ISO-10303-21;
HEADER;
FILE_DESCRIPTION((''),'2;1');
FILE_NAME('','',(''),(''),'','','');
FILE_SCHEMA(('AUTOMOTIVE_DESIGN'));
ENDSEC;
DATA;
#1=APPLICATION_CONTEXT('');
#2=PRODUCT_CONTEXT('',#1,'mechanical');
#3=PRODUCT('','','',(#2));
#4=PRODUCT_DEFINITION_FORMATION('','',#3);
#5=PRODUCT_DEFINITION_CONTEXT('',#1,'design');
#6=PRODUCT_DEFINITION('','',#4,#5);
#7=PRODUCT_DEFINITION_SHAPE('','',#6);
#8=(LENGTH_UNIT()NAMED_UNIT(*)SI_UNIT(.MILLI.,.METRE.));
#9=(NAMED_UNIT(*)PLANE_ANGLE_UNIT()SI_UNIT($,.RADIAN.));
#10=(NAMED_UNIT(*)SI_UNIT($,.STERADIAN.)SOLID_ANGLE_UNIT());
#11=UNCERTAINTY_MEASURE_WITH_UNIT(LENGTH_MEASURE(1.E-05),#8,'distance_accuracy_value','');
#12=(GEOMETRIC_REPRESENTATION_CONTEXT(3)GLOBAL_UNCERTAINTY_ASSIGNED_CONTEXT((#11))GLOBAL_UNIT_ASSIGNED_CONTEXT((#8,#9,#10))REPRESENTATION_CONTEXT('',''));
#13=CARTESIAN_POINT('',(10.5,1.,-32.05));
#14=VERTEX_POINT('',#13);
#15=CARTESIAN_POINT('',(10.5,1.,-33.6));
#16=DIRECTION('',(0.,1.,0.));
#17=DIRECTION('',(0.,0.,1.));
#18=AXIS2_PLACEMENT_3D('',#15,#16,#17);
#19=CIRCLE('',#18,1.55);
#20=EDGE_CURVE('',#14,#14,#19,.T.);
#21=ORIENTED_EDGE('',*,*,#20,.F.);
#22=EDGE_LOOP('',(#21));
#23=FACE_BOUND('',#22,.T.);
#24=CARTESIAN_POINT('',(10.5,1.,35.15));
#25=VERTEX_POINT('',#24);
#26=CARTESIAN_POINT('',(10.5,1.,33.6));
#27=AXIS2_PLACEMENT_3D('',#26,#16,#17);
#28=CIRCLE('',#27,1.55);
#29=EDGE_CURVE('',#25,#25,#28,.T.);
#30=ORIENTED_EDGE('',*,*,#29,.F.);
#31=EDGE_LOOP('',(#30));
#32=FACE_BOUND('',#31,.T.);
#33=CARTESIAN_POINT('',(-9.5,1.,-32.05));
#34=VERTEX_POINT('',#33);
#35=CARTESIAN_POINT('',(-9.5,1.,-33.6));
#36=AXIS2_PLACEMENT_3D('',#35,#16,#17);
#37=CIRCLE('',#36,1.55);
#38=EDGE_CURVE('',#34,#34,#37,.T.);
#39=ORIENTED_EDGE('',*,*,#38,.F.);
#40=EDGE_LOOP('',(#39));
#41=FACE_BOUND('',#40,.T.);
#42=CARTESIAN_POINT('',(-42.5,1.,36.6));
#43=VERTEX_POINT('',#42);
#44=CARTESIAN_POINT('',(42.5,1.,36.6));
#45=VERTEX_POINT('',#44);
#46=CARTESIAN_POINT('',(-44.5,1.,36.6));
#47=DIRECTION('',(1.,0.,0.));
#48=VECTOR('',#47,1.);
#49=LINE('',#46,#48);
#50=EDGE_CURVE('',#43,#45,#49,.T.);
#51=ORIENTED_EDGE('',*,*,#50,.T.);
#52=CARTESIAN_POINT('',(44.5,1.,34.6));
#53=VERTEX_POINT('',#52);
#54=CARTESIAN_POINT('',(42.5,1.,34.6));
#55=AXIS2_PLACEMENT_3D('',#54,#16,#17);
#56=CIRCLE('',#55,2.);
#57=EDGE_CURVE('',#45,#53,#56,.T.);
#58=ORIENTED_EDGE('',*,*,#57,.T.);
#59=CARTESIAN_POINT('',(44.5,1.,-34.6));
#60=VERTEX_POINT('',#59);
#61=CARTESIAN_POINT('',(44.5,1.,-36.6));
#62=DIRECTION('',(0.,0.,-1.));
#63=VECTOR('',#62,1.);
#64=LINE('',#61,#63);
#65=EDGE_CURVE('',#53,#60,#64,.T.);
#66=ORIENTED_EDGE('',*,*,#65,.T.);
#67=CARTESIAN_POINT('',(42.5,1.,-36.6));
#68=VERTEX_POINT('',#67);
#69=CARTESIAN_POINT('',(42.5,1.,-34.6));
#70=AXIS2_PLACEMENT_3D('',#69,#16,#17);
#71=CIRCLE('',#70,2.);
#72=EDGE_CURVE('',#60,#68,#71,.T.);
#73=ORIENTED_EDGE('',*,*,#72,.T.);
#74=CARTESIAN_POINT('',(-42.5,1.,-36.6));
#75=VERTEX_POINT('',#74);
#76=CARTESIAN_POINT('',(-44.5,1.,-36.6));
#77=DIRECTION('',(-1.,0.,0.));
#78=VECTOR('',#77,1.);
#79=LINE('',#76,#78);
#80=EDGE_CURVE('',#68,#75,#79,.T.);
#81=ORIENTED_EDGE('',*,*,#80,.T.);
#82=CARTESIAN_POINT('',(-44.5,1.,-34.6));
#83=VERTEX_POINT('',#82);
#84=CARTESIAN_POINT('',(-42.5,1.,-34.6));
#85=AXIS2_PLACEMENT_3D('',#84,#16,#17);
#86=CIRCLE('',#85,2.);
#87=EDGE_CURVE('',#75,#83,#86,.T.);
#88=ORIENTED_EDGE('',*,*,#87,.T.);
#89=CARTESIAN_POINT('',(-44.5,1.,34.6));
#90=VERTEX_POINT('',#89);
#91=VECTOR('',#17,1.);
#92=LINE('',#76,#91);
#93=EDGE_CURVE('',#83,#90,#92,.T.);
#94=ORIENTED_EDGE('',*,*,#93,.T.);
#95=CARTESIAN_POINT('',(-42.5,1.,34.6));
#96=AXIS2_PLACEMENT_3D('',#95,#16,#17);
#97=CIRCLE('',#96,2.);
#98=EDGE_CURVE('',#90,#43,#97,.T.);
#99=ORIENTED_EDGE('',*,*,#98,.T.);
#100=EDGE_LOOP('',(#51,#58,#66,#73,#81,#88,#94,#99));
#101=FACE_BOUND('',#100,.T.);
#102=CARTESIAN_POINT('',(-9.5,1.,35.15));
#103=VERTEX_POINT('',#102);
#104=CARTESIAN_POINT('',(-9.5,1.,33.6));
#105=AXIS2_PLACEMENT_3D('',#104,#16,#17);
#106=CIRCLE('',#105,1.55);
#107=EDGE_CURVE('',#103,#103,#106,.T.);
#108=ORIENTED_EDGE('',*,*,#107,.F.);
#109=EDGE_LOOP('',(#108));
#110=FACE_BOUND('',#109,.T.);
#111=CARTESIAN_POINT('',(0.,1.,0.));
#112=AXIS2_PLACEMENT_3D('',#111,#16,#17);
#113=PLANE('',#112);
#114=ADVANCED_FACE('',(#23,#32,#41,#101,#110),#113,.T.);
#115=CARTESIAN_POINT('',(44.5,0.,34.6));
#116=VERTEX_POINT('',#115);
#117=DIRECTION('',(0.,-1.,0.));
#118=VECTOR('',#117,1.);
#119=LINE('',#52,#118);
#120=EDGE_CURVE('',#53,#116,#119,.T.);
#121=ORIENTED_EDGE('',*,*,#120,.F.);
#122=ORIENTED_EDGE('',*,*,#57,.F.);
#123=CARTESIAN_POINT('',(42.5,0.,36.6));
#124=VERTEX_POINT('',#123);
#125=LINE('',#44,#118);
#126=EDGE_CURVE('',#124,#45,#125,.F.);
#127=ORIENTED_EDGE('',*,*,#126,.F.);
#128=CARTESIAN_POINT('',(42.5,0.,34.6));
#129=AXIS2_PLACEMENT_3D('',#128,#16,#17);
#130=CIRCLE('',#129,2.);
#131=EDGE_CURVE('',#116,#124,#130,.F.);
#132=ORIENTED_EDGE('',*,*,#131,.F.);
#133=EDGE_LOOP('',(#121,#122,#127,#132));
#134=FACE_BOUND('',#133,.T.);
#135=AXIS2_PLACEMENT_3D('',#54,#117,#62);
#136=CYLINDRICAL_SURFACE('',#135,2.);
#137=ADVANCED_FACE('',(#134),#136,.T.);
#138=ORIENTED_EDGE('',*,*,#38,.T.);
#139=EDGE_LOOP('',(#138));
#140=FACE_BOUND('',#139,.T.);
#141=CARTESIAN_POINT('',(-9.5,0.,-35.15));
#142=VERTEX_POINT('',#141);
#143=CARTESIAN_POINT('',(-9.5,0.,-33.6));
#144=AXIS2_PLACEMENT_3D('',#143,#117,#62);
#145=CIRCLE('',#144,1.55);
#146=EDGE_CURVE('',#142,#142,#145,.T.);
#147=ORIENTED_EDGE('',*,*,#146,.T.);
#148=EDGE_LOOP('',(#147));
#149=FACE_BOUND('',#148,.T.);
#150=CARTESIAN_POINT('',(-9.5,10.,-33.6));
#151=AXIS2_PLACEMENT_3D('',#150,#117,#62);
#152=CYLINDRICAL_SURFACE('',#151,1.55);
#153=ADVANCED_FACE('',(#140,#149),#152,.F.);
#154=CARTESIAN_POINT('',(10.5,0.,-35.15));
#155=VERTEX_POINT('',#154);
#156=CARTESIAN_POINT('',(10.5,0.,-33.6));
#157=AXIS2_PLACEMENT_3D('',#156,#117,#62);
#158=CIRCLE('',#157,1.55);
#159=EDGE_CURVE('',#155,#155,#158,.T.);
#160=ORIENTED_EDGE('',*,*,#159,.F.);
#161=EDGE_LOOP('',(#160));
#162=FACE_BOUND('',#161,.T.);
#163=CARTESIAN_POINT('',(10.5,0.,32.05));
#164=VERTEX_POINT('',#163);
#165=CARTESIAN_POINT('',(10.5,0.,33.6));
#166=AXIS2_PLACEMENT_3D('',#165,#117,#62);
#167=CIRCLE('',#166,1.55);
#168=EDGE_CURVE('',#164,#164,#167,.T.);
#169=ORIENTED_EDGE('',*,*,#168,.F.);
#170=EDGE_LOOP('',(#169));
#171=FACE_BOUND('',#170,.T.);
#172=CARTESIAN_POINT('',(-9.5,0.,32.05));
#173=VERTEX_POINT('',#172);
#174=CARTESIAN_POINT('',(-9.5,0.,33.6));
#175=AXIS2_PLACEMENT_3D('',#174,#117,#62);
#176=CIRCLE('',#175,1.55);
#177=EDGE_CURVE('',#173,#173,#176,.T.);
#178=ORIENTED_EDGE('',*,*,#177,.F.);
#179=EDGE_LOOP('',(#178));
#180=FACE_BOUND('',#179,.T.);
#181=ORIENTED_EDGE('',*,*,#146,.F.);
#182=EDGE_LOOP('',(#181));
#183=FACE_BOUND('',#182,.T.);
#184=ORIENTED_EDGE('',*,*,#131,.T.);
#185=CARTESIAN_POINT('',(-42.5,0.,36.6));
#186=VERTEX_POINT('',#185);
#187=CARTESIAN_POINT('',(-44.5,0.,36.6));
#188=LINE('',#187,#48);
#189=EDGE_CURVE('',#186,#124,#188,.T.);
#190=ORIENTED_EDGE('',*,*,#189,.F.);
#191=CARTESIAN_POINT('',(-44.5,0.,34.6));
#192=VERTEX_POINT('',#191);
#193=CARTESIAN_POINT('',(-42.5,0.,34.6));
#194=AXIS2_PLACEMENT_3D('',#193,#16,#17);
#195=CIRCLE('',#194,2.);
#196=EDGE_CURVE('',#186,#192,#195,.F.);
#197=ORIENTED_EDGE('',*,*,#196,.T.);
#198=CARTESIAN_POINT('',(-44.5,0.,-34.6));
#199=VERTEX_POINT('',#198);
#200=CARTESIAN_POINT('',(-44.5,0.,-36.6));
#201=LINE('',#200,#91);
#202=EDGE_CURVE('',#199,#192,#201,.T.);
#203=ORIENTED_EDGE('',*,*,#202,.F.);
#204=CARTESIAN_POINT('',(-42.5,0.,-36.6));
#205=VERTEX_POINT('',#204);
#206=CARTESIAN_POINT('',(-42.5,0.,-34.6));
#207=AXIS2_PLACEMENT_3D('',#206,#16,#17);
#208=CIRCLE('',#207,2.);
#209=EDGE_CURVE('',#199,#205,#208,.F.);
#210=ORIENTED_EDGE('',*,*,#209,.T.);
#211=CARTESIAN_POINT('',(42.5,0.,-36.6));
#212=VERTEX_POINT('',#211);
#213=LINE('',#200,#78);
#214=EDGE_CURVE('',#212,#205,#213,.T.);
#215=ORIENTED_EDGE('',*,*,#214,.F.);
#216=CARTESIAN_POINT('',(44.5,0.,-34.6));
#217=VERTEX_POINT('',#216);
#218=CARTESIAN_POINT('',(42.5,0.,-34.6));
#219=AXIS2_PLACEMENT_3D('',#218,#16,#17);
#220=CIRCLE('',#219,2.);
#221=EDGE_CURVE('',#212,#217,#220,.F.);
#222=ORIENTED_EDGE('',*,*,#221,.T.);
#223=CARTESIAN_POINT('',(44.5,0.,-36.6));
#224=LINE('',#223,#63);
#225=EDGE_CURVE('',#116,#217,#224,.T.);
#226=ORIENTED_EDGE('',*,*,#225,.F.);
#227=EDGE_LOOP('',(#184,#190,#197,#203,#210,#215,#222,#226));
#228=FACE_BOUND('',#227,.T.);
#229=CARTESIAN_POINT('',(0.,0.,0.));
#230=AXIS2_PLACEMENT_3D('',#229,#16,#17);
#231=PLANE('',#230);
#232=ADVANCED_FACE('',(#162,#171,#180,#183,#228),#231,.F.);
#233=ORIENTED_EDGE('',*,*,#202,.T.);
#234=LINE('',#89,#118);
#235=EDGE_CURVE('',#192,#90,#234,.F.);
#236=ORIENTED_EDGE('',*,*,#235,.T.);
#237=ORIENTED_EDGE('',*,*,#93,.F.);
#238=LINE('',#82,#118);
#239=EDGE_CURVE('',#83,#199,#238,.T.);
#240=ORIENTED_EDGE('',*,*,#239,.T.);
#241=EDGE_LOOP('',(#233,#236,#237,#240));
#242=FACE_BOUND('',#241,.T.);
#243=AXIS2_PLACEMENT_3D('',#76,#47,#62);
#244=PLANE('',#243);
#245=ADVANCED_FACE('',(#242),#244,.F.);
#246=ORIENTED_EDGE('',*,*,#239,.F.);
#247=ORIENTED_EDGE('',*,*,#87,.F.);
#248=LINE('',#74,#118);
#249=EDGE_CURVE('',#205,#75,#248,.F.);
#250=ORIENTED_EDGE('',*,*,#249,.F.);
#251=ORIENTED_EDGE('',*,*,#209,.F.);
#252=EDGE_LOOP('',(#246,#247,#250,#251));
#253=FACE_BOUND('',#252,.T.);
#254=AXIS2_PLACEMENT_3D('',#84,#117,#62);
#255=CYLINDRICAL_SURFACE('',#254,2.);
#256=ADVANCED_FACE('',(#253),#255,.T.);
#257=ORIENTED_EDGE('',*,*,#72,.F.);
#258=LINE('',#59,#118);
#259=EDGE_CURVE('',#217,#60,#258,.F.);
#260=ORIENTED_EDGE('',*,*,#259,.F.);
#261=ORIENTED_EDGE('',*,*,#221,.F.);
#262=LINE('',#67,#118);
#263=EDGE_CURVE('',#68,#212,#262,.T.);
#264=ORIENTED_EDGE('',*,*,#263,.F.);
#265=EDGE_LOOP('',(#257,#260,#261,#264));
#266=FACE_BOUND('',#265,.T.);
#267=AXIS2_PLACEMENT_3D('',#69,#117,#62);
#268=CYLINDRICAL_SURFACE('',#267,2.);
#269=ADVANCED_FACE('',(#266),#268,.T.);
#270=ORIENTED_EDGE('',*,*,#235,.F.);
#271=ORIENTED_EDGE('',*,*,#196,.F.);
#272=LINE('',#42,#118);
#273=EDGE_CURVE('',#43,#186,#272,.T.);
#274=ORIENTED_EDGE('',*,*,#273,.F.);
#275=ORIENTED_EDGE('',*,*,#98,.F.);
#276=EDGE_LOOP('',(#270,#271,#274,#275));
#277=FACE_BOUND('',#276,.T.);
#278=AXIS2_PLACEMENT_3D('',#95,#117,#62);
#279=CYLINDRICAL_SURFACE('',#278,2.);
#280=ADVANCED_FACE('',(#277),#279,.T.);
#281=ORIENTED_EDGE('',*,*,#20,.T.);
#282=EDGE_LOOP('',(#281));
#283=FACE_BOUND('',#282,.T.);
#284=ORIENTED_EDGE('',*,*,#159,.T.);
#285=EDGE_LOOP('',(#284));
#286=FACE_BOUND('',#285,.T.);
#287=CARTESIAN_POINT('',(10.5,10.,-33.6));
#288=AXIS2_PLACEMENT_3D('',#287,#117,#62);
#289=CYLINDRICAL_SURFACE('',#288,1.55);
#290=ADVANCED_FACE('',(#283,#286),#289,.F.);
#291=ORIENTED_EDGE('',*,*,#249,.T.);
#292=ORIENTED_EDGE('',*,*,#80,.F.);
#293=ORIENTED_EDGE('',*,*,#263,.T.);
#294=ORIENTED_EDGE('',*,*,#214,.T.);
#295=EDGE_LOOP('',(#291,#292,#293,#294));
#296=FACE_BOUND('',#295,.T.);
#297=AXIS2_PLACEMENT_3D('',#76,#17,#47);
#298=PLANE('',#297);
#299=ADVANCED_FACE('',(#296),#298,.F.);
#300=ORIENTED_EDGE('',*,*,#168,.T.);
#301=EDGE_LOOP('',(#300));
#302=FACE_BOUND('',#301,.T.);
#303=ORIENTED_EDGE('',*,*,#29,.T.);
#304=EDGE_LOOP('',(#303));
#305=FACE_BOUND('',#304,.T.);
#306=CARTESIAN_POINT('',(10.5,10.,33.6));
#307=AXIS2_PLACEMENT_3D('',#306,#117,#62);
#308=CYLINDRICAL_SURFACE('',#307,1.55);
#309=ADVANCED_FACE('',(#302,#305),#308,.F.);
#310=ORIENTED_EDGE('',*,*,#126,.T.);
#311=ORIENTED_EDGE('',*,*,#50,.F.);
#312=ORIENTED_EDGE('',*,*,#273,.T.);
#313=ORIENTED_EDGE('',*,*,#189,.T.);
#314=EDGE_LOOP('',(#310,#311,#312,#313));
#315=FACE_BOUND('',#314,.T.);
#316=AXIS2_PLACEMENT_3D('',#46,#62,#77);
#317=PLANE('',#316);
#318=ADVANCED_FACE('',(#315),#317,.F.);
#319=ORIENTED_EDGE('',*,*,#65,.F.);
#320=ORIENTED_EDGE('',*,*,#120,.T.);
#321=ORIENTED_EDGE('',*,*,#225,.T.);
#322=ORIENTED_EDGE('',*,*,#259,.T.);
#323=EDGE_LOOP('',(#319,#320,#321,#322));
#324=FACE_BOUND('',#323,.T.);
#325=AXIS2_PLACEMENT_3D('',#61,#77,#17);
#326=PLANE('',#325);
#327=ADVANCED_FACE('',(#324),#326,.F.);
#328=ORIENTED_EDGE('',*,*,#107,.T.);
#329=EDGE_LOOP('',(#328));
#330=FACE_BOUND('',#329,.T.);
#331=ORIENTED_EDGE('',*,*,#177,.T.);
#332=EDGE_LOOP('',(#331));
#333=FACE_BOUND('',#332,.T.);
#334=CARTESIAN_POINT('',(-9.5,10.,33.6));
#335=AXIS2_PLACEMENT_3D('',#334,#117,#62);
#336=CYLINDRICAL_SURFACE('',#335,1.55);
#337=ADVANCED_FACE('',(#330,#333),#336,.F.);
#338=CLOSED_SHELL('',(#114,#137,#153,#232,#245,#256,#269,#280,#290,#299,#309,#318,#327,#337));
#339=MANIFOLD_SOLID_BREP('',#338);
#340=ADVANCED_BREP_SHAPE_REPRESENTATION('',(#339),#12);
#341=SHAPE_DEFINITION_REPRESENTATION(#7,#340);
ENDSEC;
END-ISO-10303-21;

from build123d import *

# Parameters (mm, degrees)
SKETCH_1_W          = 89
SKETCH_1_H          = 73.2
EXTRUDE_1_DEPTH     = 1
SKETCH_2_R          = 1.55
CUT_EXTRUDE_1_DEPTH = 10
FILLET_1_R          = 2


with BuildPart() as part:
    # 草图1 → 凸台-拉伸1 (new body)
    with BuildSketch(Plane(origin=(0, 0, 0), x_dir=(1, 0, 0), z_dir=(0, 1, 0))):
        Rectangle(SKETCH_1_W, SKETCH_1_H)
    extrude(amount=EXTRUDE_1_DEPTH)

    # 草图2 → 切除-拉伸1 (cut)
    with BuildSketch(Plane.XZ):
        with Locations(Location((10.5, 33.6, 0), (0, 0, 270))):
            Circle(SKETCH_2_R)
        with Locations(Location((-9.5, 33.6, 0), (0, 0, 270))):
            Circle(SKETCH_2_R)
        with Locations(Location((-9.5, -33.6, 0), (0, 0, 270))):
            Circle(SKETCH_2_R)
        with Locations(Location((10.5, -33.6, 0), (0, 0, 270))):
            Circle(SKETCH_2_R)
    extrude(amount=-CUT_EXTRUDE_1_DEPTH, mode=Mode.SUBTRACT)

    # 圆角1
    fillet_1_edges = [part.edges().sort_by_distance(p)[0] for p in [
        (44.5, 0.5, 36.6),
        (-44.5, 0.5, 36.6),
        (-44.5, 0.5, -36.6),
        (44.5, 0.5, -36.6),
    ]]
    fillet(fillet_1_edges, radius=FILLET_1_R)


solid = part.part
